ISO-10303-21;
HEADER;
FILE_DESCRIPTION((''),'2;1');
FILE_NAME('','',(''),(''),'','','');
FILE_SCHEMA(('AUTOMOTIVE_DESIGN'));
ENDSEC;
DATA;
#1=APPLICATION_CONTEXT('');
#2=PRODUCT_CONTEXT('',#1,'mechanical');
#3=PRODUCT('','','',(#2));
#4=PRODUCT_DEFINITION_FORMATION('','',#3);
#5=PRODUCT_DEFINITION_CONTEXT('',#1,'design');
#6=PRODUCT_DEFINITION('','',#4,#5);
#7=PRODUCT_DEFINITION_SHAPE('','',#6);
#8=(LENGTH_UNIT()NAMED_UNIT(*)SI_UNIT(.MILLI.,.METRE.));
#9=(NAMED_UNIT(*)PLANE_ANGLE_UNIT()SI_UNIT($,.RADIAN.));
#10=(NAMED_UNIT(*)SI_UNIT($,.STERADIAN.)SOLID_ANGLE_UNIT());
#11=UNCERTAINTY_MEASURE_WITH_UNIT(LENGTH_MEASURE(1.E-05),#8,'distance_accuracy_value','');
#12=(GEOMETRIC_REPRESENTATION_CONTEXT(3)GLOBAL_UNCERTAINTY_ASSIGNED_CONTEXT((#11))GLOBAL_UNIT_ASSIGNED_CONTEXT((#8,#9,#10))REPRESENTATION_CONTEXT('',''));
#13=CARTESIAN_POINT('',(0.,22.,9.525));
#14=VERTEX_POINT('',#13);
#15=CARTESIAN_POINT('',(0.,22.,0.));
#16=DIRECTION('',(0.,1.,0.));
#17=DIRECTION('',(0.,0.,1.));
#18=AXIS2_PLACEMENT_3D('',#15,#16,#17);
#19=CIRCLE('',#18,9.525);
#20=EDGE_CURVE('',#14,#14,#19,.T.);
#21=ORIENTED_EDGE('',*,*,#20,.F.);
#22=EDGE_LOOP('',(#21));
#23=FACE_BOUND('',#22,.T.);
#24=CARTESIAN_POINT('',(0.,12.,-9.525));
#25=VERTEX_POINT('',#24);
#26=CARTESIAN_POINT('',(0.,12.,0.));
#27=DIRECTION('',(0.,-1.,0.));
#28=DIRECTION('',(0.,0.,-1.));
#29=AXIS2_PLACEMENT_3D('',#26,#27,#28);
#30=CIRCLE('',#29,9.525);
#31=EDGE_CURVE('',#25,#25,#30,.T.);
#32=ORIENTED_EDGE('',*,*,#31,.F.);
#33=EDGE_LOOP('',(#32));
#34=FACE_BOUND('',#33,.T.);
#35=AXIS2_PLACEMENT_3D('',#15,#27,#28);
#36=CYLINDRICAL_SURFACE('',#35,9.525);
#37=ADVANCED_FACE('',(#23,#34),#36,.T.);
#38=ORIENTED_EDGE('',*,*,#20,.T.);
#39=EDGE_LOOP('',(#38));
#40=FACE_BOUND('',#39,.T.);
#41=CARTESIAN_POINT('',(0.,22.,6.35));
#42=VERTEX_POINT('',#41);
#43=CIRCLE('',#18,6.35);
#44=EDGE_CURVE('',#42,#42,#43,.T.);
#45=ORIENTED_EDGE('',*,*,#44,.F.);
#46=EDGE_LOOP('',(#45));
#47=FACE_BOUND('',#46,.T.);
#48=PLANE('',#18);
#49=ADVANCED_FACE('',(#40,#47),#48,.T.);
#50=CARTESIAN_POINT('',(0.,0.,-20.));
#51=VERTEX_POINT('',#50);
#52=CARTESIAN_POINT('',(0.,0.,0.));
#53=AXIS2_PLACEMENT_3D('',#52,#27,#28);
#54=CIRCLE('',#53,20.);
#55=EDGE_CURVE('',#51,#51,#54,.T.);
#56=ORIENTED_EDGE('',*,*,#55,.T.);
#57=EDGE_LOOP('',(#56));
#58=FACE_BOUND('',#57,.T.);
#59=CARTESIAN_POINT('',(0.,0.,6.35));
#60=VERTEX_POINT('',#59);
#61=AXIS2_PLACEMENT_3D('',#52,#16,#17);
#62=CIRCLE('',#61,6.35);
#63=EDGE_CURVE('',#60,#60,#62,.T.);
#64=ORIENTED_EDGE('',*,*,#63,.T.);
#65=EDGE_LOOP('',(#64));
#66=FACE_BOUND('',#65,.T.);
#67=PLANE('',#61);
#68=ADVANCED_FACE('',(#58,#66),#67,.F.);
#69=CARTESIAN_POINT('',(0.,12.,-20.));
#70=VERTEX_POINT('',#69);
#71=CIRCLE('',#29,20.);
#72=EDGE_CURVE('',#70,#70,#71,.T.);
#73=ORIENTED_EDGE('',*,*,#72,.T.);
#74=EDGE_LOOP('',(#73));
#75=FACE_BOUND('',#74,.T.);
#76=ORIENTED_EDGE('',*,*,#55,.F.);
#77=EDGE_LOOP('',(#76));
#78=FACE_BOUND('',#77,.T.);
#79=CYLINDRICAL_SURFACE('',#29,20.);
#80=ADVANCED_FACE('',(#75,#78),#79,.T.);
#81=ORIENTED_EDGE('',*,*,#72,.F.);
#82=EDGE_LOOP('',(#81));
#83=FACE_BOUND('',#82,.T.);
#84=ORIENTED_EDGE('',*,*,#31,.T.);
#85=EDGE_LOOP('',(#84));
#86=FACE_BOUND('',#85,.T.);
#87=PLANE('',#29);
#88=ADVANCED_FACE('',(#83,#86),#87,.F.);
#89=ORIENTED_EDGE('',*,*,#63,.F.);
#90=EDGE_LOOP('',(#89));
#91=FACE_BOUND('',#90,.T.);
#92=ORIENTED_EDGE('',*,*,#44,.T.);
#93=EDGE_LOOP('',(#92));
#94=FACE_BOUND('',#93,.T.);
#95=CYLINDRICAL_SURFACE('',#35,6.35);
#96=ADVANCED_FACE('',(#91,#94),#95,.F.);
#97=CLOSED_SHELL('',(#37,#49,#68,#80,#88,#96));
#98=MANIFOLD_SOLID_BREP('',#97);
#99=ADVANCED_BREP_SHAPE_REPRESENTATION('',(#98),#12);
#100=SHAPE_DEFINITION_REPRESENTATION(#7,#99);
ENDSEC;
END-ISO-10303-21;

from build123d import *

# Parameters (mm, degrees)
SKETCH1_R           = 9.525
SKETCH1_R_2         = 6.35
BOSS_EXTRUDE1_DEPTH = 22
SKETCH2_R           = 20
SKETCH2_R_2         = 9.525
BOSS_EXTRUDE2_DEPTH = 12


with BuildPart() as part:
    # Sketch1 → Boss-Extrude1 (new body)
    with BuildSketch(Plane(origin=(0, 0, 0), x_dir=(1, 0, 0), z_dir=(0, 1, 0))):
        Circle(SKETCH1_R)
        Circle(SKETCH1_R_2, mode=Mode.SUBTRACT)
    extrude(amount=BOSS_EXTRUDE1_DEPTH)

    # Sketch2 → Boss-Extrude2 (add)
    with BuildSketch(Plane.XZ):
        Circle(SKETCH2_R)
        Circle(SKETCH2_R_2, mode=Mode.SUBTRACT)
    extrude(amount=-BOSS_EXTRUDE2_DEPTH)


solid = part.part
